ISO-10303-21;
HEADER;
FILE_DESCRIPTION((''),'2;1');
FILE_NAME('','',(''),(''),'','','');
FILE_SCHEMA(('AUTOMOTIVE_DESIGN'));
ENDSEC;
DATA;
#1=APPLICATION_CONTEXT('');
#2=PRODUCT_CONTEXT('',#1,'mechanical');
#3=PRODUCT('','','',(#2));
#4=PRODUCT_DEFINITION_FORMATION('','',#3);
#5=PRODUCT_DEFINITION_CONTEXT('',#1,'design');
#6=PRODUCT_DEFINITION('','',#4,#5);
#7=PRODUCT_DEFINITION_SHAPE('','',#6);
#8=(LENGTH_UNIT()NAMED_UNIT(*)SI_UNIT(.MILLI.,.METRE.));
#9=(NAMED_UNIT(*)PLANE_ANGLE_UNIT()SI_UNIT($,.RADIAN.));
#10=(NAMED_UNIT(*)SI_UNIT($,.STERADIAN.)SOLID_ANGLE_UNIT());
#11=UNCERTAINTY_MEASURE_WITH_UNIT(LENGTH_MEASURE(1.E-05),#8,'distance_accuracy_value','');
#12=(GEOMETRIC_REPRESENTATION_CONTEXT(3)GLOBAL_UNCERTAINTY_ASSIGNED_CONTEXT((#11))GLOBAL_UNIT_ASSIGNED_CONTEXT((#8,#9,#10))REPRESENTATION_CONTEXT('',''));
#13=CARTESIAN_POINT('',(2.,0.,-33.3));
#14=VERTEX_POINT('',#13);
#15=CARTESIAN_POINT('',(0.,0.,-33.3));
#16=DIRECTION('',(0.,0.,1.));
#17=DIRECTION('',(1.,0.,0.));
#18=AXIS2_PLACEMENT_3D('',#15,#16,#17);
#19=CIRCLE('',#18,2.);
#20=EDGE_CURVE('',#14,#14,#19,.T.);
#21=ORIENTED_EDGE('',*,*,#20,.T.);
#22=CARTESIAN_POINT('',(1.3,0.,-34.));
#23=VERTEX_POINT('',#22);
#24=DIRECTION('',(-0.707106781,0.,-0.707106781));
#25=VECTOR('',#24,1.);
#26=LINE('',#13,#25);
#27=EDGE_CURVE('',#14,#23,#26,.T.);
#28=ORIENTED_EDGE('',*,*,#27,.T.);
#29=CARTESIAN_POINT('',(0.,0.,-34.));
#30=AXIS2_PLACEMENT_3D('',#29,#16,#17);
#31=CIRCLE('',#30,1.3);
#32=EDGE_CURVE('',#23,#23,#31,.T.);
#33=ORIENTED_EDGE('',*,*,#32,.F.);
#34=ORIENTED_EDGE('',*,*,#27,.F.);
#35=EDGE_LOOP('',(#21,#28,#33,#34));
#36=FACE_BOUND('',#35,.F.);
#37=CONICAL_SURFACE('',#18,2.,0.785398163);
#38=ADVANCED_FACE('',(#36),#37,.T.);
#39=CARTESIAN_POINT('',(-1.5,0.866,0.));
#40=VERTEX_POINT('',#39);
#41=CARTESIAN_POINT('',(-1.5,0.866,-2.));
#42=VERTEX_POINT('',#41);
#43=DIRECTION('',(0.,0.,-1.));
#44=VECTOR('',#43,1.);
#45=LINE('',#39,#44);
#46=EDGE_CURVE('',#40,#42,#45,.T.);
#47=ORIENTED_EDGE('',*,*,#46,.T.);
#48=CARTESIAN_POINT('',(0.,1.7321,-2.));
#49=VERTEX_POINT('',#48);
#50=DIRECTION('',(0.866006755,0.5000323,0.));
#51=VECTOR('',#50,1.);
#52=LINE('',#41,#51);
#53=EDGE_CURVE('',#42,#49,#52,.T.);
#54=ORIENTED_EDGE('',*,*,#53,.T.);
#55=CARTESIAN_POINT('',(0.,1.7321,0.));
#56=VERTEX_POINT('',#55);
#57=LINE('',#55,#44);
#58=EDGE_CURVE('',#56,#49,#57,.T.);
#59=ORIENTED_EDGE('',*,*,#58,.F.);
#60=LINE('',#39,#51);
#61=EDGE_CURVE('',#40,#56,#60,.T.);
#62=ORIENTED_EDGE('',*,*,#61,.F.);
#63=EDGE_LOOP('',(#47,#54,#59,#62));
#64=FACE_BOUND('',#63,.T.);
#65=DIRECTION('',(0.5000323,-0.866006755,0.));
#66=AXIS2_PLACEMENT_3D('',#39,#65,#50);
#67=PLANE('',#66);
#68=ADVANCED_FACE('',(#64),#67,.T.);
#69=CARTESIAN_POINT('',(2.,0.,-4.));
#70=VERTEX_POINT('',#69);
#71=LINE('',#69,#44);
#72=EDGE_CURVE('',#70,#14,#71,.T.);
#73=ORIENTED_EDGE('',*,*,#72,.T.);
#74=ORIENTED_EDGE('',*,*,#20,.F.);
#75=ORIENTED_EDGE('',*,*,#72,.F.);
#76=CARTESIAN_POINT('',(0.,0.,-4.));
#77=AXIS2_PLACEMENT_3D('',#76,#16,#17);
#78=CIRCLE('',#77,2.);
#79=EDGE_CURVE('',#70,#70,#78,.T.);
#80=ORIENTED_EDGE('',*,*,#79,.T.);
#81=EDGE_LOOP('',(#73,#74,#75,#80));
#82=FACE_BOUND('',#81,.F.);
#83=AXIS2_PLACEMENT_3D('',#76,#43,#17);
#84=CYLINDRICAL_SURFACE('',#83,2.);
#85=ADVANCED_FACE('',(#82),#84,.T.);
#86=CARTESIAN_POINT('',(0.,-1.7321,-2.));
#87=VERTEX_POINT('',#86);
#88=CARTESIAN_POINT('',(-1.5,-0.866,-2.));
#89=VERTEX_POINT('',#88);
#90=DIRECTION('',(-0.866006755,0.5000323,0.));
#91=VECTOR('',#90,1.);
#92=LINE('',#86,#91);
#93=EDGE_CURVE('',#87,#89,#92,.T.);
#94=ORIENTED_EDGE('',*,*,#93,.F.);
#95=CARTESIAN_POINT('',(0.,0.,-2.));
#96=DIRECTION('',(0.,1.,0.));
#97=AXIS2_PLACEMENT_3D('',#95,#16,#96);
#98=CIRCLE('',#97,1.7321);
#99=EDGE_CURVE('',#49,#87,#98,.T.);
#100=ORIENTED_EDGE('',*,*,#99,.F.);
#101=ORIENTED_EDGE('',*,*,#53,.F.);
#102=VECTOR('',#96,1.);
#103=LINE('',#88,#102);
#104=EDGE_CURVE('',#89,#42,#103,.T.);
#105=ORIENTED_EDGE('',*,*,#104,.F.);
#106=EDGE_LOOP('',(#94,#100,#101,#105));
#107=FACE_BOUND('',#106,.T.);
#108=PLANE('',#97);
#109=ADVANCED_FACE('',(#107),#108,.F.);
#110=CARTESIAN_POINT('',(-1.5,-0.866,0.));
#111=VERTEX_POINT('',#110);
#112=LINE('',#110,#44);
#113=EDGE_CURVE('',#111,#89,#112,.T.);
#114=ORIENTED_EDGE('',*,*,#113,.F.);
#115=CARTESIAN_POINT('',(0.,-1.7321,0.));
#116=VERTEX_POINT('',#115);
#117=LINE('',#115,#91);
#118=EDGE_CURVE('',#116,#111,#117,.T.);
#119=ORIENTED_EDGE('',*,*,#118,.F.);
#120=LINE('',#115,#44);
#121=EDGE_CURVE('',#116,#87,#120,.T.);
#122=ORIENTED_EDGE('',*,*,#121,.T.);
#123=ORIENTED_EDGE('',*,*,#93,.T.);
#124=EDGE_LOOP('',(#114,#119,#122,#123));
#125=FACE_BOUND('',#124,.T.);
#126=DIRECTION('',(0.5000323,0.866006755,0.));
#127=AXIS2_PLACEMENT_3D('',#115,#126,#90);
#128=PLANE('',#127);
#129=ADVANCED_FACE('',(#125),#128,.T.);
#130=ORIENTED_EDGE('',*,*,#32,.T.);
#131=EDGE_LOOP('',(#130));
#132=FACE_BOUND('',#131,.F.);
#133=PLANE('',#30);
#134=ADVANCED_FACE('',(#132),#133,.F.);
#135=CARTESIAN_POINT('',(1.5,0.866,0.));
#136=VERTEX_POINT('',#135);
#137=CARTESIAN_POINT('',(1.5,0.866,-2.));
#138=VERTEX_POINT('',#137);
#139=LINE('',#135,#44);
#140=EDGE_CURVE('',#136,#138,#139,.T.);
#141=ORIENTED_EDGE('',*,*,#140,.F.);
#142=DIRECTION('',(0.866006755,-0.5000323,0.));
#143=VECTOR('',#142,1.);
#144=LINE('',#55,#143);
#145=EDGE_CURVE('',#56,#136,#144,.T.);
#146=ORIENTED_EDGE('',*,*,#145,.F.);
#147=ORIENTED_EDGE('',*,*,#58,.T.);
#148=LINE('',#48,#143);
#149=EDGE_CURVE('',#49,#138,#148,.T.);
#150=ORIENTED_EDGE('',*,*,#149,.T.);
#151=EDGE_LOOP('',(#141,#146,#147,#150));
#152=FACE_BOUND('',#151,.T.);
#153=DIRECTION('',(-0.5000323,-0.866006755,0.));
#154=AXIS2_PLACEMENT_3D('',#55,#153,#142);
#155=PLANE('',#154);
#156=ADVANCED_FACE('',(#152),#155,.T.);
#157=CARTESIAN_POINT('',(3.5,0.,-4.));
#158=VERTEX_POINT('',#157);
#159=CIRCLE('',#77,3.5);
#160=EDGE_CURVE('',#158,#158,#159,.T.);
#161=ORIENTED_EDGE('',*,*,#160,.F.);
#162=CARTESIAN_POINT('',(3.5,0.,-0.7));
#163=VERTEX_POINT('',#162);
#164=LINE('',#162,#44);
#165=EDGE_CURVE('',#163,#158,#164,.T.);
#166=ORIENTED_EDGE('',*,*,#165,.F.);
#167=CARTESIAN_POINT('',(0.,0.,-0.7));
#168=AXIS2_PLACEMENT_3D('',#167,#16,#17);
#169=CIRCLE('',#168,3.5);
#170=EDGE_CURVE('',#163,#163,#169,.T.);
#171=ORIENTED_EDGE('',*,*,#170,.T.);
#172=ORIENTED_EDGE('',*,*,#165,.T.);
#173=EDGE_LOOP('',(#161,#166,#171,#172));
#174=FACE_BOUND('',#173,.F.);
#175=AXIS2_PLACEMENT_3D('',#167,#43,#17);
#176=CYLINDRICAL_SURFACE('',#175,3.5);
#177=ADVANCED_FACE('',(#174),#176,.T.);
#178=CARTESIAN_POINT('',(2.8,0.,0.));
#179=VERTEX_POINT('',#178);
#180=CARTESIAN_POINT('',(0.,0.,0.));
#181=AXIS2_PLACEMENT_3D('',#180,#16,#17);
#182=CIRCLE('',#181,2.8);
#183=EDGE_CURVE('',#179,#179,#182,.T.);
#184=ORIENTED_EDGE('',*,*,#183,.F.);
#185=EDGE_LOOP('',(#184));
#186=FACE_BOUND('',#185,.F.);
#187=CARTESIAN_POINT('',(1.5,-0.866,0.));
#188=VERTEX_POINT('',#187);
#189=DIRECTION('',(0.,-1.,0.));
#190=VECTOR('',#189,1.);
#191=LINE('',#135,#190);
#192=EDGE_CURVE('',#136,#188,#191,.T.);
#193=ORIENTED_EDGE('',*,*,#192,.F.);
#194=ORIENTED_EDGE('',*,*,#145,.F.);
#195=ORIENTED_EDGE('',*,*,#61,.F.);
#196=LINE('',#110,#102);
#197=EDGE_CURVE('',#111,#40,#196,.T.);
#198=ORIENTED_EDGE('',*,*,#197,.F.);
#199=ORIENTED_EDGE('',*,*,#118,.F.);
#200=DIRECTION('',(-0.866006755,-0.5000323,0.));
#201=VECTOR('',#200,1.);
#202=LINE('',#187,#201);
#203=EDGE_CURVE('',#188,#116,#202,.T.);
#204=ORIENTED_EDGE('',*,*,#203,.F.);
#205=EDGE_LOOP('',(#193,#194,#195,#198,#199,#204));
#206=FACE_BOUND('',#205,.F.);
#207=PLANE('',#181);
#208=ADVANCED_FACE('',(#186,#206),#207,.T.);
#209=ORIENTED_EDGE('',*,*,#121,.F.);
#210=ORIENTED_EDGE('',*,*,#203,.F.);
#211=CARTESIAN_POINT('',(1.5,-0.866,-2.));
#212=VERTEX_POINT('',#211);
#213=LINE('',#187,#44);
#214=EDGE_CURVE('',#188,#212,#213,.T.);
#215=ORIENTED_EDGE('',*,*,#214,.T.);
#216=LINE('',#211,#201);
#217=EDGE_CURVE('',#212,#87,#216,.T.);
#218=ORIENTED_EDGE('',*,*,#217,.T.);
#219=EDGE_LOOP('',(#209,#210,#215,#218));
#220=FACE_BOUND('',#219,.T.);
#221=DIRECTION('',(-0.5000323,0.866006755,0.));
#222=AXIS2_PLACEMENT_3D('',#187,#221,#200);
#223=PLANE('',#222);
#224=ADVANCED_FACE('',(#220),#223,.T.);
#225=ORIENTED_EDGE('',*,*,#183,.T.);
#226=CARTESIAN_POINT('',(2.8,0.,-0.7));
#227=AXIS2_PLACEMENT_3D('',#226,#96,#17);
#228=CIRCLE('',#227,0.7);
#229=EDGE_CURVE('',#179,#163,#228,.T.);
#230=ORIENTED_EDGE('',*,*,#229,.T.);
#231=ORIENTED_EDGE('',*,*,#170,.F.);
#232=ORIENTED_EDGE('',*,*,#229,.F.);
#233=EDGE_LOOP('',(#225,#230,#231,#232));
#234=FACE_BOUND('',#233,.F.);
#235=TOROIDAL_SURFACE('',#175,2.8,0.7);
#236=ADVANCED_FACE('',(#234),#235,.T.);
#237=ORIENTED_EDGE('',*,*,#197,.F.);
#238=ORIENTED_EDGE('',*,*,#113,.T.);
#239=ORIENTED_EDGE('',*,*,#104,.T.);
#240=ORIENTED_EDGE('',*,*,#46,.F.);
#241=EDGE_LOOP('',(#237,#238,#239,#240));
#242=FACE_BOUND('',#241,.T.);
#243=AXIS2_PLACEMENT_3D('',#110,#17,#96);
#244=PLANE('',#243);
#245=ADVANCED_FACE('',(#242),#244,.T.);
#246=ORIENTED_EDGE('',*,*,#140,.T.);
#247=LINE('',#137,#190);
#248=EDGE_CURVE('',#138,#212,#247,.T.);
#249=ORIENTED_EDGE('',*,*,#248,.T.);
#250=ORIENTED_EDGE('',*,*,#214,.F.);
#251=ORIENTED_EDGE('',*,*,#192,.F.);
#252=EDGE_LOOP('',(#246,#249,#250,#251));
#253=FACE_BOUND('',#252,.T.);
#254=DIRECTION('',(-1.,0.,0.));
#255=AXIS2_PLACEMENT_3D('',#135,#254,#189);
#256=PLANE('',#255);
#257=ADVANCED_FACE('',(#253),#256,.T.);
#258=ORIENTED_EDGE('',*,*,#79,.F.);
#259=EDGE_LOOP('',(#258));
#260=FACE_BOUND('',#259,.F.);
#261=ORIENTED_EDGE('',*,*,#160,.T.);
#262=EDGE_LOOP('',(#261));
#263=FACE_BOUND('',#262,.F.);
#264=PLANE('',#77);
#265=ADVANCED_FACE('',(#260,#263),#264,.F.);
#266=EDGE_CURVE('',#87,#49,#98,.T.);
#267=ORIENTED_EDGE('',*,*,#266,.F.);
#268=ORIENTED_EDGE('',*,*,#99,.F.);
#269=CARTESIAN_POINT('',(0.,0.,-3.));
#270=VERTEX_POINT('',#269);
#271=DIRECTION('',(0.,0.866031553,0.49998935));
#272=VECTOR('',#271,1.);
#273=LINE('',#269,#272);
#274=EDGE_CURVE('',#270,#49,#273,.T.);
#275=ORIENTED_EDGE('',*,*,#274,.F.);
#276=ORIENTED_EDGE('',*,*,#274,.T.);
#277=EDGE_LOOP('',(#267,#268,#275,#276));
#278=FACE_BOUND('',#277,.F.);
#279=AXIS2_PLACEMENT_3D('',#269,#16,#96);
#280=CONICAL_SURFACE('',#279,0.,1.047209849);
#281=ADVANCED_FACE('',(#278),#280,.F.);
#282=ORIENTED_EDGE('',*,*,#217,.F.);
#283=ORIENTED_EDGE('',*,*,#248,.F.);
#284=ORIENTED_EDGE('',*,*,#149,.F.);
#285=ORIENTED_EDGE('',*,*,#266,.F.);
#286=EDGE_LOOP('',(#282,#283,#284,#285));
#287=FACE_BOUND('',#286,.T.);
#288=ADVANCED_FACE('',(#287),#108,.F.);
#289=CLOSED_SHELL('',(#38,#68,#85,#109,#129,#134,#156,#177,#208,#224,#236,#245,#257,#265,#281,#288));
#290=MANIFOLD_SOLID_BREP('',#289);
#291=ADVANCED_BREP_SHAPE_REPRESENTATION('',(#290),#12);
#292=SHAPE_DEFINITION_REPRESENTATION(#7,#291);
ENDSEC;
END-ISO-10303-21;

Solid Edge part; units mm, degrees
sketch "Sketch1" plane through (0, 0, 0) normal (0, -1, 0) x (1, 0, 0)
  line L0 (0, 0) -> (2.8, 0)
  arc A0 (2.8, 0) -> (3.5, -0.7) centre (2.8, -0.7) cw
  line L1 (3.5, -0.7) -> (3.5, -4)
  line L2 (3.5, -4) -> (2, -4)
  line L3 (2, -4) -> (2, -33.3)
  line L4 (2, -33.3) -> (1.3, -34)
  line L5 (1.3, -34) -> (0, -34)
revolve "RevolvedProtrusion1" add sketch "Sketch1" angle 360 about axis through (0, 0, -34) along (0, 0, 1)
sketch "Sketch2" plane through (0, 0, 0) normal (0, 0, 1) x (1, 0, 0)
  line L0 (-1.5, -0.866) -> (-1.5, 0.866)
  line L1 (-1.5, 0.866) -> (0, 1.7321)
  line L2 (0, 1.7321) -> (1.5, 0.866)
  line L3 (1.5, 0.866) -> (1.5, -0.866)
  line L4 (1.5, -0.866) -> (0, -1.7321)
  line L5 (0, -1.7321) -> (-1.5, -0.866)
extrude "Cutout1" cut sketch "Sketch2" against normal blind 2
sketch "Sketch3" plane through (0, 0, 0) normal (1, 0, 0) x (0, 1, 0)
  line L0 (0, -3) -> (1.7321, -2)
  line L1 (0, -2) -> (1.7321, -2)
  line L2 (0, -2) -> (0, -3)
revolve "RevolvedCutout1" cut sketch "Sketch3" angle 360 about axis through (0, 0, -60.325) along (0, 0, 1)
cosmetic_thread "Thread1" size "M4"
